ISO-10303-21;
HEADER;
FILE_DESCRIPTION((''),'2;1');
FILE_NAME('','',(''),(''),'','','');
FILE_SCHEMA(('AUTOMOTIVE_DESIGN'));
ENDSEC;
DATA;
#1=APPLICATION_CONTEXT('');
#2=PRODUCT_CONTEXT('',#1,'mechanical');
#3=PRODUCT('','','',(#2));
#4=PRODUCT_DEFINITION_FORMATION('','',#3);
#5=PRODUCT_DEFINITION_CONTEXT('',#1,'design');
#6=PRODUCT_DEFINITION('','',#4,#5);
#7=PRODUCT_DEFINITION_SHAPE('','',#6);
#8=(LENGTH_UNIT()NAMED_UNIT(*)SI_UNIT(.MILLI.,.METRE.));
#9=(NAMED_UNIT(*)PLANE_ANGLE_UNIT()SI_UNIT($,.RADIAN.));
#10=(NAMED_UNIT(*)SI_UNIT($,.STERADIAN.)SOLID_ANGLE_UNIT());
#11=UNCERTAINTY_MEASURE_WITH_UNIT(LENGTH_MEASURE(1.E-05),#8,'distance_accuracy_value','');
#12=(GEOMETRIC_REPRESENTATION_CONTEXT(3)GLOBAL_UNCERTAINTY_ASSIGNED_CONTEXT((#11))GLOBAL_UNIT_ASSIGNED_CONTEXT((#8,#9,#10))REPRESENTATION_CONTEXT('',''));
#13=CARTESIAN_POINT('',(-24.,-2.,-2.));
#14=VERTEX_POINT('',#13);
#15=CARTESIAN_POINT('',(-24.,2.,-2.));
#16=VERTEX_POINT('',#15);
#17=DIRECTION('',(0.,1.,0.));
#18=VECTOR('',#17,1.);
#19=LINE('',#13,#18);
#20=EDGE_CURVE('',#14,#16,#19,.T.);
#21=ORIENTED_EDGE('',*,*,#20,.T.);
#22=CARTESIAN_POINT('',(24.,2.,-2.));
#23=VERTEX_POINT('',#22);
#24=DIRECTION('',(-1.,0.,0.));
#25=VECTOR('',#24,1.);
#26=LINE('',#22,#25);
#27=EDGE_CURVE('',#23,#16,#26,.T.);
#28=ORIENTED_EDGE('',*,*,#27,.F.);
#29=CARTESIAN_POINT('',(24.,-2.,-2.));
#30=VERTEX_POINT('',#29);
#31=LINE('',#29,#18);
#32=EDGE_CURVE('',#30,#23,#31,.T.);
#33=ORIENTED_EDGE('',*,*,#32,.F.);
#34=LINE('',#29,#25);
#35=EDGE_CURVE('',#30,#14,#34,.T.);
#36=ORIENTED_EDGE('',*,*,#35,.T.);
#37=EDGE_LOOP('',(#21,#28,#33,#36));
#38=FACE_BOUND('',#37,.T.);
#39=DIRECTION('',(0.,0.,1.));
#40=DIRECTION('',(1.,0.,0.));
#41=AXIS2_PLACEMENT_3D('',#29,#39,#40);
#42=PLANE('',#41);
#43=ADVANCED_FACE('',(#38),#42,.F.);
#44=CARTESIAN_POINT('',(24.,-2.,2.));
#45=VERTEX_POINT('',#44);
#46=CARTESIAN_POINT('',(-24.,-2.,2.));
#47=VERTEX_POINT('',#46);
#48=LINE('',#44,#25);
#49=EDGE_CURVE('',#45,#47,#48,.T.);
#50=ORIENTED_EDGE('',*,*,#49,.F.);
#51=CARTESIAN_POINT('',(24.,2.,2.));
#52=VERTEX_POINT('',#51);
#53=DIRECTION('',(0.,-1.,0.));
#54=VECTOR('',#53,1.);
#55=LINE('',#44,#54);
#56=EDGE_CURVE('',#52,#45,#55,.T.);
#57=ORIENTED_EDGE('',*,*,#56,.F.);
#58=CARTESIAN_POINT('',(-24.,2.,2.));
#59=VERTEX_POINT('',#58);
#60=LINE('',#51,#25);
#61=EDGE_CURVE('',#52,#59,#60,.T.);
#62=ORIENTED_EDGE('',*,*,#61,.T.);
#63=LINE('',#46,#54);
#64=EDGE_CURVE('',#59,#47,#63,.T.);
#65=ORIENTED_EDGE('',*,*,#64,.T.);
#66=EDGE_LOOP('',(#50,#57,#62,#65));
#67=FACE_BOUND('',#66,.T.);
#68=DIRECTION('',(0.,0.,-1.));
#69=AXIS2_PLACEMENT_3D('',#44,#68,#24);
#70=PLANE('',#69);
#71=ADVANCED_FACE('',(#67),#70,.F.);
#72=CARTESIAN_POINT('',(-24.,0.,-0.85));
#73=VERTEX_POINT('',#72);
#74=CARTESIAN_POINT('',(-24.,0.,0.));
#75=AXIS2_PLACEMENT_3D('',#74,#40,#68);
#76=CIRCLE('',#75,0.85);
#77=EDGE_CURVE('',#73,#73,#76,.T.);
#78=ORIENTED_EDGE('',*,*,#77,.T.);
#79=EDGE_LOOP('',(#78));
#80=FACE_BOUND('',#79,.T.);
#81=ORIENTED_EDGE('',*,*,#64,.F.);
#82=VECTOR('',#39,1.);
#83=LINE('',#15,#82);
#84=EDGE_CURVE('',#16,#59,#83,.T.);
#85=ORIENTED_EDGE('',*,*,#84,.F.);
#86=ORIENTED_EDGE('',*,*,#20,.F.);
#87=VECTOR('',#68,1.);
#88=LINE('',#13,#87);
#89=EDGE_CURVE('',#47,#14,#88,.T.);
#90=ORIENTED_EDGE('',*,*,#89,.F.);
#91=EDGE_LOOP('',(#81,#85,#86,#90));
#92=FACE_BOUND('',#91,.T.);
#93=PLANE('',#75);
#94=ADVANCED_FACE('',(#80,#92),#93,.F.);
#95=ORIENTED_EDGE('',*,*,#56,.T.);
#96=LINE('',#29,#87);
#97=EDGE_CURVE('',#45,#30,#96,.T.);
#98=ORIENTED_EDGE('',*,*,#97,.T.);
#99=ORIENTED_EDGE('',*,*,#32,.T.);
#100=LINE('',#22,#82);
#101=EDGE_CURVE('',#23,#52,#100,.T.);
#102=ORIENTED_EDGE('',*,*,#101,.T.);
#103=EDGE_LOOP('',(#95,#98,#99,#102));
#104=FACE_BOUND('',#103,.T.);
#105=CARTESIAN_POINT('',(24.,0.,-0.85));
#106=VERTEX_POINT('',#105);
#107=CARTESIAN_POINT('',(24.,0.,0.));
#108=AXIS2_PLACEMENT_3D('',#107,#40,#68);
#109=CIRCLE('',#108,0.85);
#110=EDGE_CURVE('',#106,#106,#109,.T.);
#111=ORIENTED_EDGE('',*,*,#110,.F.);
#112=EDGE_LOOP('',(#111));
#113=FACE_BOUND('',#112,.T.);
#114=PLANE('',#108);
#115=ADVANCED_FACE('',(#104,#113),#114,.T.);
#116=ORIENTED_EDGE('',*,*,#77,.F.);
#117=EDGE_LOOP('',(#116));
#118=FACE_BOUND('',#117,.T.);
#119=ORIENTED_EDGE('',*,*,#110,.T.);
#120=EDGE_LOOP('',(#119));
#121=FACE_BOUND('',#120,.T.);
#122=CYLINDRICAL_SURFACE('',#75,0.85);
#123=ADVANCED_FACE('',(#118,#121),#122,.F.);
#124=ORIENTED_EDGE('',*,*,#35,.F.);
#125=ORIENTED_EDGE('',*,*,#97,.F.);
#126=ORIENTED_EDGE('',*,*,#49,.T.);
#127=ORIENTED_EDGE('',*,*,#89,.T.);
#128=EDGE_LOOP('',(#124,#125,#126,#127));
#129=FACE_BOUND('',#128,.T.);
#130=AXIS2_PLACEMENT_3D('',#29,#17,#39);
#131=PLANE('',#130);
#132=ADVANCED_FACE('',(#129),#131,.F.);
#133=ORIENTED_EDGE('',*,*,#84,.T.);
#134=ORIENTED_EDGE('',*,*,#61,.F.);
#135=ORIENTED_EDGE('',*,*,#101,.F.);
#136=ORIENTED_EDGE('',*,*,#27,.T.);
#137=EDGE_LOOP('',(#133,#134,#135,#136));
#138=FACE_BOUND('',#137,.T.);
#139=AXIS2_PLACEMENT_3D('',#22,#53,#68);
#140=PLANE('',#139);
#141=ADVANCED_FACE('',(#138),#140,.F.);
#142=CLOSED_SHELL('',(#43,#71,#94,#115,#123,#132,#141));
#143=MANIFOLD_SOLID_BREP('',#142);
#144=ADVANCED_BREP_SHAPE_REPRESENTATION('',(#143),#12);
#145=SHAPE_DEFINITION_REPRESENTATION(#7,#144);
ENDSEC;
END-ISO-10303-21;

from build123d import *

# Parameters (mm, degrees)
ESBO_O1_W                  = 4
ESBO_O1_H                  = 4
RESSALTO_EXTRUS_O1_DEPTH   = 24
CORTE_EXTRUS_O1_DEPTH      = 49.083261121
CORTE_EXTRUS_O1_DEPTH_BACK = 49.083261121
ESBO_O2_R                  = 0.85


with BuildPart() as part:
    # Esboço1 → Ressalto-extrusão1 (new, symmetric)
    with BuildSketch(Plane(origin=(0, 0, 0), x_dir=(0, 0, -1), z_dir=(1, 0, 0))):
        Rectangle(ESBO_O1_W, ESBO_O1_H)
    extrude(amount=RESSALTO_EXTRUS_O1_DEPTH, both=True)

    # Esboço2 → Corte-extrusão1 (cut, two sides: drawn at the far end of the back side and taken through both)
    with BuildSketch(Plane(origin=(24, 0, 0), x_dir=(0, 0, -1), z_dir=(1, 0, 0)).offset(-CORTE_EXTRUS_O1_DEPTH_BACK)):
        Circle(ESBO_O2_R)
    extrude(amount=CORTE_EXTRUS_O1_DEPTH + CORTE_EXTRUS_O1_DEPTH_BACK, mode=Mode.SUBTRACT)


solid = part.part
